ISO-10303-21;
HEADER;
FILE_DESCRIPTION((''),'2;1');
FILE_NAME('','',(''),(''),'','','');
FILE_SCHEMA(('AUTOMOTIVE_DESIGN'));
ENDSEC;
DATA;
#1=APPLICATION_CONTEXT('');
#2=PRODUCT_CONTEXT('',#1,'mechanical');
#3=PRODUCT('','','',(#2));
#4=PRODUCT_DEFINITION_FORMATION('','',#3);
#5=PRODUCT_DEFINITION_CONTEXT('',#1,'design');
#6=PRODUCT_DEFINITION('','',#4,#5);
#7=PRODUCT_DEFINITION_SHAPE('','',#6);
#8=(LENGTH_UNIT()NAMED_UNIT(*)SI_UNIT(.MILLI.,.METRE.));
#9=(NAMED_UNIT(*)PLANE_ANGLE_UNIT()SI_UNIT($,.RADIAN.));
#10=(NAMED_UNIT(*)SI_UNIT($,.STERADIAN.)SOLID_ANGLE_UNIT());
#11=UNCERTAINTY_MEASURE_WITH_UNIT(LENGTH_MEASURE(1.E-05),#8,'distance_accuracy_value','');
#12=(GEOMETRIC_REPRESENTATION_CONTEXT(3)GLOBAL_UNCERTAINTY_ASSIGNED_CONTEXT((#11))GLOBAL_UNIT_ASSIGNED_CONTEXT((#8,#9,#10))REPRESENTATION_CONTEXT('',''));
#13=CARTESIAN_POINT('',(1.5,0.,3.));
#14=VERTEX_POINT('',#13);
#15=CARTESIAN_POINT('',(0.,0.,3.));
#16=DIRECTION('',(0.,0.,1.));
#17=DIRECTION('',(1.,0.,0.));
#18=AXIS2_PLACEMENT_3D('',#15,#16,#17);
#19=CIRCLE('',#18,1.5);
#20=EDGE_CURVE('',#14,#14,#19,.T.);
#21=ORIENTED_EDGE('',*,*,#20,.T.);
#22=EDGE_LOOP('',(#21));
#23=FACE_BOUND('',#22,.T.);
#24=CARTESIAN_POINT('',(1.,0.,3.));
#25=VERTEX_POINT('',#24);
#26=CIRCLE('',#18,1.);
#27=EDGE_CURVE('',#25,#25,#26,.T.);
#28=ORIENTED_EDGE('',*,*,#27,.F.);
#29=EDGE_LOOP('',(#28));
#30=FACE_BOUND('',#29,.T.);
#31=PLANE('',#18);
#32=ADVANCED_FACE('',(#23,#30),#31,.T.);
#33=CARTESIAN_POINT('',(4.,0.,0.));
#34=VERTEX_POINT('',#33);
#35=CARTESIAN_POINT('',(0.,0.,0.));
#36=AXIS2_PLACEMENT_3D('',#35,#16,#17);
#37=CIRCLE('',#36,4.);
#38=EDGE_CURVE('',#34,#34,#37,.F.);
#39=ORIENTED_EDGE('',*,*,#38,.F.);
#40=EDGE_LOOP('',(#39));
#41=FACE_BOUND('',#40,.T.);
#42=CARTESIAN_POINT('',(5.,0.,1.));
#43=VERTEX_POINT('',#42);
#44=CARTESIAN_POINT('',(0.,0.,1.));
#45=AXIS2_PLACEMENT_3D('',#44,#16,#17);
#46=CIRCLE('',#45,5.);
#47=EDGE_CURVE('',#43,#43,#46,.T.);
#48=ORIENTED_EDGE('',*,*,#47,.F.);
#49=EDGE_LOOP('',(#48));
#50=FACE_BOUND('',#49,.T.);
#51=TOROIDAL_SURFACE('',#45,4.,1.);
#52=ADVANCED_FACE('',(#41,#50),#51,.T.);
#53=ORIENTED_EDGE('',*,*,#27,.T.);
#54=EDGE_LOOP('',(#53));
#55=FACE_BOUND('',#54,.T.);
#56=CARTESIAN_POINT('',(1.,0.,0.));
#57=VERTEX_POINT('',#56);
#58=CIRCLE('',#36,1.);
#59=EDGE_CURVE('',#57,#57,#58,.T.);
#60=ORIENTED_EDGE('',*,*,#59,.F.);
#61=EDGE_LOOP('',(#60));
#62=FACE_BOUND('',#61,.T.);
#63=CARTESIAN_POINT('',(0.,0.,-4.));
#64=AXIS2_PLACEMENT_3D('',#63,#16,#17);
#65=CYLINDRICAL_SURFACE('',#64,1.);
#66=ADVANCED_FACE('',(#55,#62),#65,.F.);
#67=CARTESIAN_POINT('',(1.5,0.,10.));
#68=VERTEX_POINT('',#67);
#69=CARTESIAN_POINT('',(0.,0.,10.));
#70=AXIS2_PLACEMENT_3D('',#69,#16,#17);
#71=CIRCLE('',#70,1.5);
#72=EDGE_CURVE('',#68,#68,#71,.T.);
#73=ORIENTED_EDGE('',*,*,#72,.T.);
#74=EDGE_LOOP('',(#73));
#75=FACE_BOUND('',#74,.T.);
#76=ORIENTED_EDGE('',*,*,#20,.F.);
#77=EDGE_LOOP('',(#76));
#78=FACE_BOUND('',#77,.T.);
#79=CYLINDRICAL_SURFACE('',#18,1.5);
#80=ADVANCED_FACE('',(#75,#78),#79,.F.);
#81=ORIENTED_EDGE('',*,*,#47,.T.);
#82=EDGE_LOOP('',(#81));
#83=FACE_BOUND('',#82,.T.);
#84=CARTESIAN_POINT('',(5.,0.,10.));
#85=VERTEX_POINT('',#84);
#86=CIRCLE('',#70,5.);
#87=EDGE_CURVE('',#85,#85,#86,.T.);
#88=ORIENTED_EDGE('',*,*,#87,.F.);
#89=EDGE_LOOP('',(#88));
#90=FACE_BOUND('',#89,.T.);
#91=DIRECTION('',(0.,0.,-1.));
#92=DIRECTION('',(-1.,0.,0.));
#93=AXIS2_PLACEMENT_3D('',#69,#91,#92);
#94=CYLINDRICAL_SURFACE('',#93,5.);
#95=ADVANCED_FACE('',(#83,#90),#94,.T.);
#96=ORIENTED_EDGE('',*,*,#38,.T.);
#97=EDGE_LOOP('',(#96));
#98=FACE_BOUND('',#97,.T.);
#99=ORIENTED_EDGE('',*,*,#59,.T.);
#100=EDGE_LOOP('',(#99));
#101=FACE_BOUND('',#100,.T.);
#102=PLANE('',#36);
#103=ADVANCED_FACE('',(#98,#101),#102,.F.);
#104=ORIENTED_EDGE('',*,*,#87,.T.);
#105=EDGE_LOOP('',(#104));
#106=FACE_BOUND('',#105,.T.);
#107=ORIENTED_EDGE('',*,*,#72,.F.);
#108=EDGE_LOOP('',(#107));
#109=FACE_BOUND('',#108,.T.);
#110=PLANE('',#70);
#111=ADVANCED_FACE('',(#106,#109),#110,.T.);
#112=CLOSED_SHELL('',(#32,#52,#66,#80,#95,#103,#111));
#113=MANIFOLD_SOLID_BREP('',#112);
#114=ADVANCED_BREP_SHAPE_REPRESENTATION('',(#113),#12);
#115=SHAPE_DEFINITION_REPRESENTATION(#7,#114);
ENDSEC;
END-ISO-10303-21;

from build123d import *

# Parameters (mm, degrees)
ESQUISSE1_R             = 5
BOSS_EXTRU_1_DEPTH      = 10
ESQUISSE2_R             = 1.5
ENL_V_MAT_EXTRU_1_DEPTH = 7
ESQUISSE3_R             = 1
ENL_V_MAT_EXTRU_2_DEPTH = 7
CONG_1_R                = 1


with BuildPart() as part:
    # Esquisse1 → Boss.-Extru.1 (new body)
    with BuildSketch(Plane.XY):
        Circle(ESQUISSE1_R)
    extrude(amount=BOSS_EXTRU_1_DEPTH)

    # Esquisse2 → Enlèv. mat.-Extru.1 (cut)
    with BuildSketch(Plane.XY.offset(10)):
        Circle(ESQUISSE2_R)
    extrude(amount=-ENL_V_MAT_EXTRU_1_DEPTH, mode=Mode.SUBTRACT)

    # Esquisse3 → Enlèv. mat.-Extru.2 (cut)
    with BuildSketch(Plane.XY.offset(3)):
        Circle(ESQUISSE3_R)
    extrude(amount=-ENL_V_MAT_EXTRU_2_DEPTH, mode=Mode.SUBTRACT)

    # Congé1
    cong_1_edges = [part.edges().sort_by_distance(p)[0] for p in [
        (-5, 0, 0),
    ]]
    fillet(cong_1_edges, radius=CONG_1_R)


solid = part.part
